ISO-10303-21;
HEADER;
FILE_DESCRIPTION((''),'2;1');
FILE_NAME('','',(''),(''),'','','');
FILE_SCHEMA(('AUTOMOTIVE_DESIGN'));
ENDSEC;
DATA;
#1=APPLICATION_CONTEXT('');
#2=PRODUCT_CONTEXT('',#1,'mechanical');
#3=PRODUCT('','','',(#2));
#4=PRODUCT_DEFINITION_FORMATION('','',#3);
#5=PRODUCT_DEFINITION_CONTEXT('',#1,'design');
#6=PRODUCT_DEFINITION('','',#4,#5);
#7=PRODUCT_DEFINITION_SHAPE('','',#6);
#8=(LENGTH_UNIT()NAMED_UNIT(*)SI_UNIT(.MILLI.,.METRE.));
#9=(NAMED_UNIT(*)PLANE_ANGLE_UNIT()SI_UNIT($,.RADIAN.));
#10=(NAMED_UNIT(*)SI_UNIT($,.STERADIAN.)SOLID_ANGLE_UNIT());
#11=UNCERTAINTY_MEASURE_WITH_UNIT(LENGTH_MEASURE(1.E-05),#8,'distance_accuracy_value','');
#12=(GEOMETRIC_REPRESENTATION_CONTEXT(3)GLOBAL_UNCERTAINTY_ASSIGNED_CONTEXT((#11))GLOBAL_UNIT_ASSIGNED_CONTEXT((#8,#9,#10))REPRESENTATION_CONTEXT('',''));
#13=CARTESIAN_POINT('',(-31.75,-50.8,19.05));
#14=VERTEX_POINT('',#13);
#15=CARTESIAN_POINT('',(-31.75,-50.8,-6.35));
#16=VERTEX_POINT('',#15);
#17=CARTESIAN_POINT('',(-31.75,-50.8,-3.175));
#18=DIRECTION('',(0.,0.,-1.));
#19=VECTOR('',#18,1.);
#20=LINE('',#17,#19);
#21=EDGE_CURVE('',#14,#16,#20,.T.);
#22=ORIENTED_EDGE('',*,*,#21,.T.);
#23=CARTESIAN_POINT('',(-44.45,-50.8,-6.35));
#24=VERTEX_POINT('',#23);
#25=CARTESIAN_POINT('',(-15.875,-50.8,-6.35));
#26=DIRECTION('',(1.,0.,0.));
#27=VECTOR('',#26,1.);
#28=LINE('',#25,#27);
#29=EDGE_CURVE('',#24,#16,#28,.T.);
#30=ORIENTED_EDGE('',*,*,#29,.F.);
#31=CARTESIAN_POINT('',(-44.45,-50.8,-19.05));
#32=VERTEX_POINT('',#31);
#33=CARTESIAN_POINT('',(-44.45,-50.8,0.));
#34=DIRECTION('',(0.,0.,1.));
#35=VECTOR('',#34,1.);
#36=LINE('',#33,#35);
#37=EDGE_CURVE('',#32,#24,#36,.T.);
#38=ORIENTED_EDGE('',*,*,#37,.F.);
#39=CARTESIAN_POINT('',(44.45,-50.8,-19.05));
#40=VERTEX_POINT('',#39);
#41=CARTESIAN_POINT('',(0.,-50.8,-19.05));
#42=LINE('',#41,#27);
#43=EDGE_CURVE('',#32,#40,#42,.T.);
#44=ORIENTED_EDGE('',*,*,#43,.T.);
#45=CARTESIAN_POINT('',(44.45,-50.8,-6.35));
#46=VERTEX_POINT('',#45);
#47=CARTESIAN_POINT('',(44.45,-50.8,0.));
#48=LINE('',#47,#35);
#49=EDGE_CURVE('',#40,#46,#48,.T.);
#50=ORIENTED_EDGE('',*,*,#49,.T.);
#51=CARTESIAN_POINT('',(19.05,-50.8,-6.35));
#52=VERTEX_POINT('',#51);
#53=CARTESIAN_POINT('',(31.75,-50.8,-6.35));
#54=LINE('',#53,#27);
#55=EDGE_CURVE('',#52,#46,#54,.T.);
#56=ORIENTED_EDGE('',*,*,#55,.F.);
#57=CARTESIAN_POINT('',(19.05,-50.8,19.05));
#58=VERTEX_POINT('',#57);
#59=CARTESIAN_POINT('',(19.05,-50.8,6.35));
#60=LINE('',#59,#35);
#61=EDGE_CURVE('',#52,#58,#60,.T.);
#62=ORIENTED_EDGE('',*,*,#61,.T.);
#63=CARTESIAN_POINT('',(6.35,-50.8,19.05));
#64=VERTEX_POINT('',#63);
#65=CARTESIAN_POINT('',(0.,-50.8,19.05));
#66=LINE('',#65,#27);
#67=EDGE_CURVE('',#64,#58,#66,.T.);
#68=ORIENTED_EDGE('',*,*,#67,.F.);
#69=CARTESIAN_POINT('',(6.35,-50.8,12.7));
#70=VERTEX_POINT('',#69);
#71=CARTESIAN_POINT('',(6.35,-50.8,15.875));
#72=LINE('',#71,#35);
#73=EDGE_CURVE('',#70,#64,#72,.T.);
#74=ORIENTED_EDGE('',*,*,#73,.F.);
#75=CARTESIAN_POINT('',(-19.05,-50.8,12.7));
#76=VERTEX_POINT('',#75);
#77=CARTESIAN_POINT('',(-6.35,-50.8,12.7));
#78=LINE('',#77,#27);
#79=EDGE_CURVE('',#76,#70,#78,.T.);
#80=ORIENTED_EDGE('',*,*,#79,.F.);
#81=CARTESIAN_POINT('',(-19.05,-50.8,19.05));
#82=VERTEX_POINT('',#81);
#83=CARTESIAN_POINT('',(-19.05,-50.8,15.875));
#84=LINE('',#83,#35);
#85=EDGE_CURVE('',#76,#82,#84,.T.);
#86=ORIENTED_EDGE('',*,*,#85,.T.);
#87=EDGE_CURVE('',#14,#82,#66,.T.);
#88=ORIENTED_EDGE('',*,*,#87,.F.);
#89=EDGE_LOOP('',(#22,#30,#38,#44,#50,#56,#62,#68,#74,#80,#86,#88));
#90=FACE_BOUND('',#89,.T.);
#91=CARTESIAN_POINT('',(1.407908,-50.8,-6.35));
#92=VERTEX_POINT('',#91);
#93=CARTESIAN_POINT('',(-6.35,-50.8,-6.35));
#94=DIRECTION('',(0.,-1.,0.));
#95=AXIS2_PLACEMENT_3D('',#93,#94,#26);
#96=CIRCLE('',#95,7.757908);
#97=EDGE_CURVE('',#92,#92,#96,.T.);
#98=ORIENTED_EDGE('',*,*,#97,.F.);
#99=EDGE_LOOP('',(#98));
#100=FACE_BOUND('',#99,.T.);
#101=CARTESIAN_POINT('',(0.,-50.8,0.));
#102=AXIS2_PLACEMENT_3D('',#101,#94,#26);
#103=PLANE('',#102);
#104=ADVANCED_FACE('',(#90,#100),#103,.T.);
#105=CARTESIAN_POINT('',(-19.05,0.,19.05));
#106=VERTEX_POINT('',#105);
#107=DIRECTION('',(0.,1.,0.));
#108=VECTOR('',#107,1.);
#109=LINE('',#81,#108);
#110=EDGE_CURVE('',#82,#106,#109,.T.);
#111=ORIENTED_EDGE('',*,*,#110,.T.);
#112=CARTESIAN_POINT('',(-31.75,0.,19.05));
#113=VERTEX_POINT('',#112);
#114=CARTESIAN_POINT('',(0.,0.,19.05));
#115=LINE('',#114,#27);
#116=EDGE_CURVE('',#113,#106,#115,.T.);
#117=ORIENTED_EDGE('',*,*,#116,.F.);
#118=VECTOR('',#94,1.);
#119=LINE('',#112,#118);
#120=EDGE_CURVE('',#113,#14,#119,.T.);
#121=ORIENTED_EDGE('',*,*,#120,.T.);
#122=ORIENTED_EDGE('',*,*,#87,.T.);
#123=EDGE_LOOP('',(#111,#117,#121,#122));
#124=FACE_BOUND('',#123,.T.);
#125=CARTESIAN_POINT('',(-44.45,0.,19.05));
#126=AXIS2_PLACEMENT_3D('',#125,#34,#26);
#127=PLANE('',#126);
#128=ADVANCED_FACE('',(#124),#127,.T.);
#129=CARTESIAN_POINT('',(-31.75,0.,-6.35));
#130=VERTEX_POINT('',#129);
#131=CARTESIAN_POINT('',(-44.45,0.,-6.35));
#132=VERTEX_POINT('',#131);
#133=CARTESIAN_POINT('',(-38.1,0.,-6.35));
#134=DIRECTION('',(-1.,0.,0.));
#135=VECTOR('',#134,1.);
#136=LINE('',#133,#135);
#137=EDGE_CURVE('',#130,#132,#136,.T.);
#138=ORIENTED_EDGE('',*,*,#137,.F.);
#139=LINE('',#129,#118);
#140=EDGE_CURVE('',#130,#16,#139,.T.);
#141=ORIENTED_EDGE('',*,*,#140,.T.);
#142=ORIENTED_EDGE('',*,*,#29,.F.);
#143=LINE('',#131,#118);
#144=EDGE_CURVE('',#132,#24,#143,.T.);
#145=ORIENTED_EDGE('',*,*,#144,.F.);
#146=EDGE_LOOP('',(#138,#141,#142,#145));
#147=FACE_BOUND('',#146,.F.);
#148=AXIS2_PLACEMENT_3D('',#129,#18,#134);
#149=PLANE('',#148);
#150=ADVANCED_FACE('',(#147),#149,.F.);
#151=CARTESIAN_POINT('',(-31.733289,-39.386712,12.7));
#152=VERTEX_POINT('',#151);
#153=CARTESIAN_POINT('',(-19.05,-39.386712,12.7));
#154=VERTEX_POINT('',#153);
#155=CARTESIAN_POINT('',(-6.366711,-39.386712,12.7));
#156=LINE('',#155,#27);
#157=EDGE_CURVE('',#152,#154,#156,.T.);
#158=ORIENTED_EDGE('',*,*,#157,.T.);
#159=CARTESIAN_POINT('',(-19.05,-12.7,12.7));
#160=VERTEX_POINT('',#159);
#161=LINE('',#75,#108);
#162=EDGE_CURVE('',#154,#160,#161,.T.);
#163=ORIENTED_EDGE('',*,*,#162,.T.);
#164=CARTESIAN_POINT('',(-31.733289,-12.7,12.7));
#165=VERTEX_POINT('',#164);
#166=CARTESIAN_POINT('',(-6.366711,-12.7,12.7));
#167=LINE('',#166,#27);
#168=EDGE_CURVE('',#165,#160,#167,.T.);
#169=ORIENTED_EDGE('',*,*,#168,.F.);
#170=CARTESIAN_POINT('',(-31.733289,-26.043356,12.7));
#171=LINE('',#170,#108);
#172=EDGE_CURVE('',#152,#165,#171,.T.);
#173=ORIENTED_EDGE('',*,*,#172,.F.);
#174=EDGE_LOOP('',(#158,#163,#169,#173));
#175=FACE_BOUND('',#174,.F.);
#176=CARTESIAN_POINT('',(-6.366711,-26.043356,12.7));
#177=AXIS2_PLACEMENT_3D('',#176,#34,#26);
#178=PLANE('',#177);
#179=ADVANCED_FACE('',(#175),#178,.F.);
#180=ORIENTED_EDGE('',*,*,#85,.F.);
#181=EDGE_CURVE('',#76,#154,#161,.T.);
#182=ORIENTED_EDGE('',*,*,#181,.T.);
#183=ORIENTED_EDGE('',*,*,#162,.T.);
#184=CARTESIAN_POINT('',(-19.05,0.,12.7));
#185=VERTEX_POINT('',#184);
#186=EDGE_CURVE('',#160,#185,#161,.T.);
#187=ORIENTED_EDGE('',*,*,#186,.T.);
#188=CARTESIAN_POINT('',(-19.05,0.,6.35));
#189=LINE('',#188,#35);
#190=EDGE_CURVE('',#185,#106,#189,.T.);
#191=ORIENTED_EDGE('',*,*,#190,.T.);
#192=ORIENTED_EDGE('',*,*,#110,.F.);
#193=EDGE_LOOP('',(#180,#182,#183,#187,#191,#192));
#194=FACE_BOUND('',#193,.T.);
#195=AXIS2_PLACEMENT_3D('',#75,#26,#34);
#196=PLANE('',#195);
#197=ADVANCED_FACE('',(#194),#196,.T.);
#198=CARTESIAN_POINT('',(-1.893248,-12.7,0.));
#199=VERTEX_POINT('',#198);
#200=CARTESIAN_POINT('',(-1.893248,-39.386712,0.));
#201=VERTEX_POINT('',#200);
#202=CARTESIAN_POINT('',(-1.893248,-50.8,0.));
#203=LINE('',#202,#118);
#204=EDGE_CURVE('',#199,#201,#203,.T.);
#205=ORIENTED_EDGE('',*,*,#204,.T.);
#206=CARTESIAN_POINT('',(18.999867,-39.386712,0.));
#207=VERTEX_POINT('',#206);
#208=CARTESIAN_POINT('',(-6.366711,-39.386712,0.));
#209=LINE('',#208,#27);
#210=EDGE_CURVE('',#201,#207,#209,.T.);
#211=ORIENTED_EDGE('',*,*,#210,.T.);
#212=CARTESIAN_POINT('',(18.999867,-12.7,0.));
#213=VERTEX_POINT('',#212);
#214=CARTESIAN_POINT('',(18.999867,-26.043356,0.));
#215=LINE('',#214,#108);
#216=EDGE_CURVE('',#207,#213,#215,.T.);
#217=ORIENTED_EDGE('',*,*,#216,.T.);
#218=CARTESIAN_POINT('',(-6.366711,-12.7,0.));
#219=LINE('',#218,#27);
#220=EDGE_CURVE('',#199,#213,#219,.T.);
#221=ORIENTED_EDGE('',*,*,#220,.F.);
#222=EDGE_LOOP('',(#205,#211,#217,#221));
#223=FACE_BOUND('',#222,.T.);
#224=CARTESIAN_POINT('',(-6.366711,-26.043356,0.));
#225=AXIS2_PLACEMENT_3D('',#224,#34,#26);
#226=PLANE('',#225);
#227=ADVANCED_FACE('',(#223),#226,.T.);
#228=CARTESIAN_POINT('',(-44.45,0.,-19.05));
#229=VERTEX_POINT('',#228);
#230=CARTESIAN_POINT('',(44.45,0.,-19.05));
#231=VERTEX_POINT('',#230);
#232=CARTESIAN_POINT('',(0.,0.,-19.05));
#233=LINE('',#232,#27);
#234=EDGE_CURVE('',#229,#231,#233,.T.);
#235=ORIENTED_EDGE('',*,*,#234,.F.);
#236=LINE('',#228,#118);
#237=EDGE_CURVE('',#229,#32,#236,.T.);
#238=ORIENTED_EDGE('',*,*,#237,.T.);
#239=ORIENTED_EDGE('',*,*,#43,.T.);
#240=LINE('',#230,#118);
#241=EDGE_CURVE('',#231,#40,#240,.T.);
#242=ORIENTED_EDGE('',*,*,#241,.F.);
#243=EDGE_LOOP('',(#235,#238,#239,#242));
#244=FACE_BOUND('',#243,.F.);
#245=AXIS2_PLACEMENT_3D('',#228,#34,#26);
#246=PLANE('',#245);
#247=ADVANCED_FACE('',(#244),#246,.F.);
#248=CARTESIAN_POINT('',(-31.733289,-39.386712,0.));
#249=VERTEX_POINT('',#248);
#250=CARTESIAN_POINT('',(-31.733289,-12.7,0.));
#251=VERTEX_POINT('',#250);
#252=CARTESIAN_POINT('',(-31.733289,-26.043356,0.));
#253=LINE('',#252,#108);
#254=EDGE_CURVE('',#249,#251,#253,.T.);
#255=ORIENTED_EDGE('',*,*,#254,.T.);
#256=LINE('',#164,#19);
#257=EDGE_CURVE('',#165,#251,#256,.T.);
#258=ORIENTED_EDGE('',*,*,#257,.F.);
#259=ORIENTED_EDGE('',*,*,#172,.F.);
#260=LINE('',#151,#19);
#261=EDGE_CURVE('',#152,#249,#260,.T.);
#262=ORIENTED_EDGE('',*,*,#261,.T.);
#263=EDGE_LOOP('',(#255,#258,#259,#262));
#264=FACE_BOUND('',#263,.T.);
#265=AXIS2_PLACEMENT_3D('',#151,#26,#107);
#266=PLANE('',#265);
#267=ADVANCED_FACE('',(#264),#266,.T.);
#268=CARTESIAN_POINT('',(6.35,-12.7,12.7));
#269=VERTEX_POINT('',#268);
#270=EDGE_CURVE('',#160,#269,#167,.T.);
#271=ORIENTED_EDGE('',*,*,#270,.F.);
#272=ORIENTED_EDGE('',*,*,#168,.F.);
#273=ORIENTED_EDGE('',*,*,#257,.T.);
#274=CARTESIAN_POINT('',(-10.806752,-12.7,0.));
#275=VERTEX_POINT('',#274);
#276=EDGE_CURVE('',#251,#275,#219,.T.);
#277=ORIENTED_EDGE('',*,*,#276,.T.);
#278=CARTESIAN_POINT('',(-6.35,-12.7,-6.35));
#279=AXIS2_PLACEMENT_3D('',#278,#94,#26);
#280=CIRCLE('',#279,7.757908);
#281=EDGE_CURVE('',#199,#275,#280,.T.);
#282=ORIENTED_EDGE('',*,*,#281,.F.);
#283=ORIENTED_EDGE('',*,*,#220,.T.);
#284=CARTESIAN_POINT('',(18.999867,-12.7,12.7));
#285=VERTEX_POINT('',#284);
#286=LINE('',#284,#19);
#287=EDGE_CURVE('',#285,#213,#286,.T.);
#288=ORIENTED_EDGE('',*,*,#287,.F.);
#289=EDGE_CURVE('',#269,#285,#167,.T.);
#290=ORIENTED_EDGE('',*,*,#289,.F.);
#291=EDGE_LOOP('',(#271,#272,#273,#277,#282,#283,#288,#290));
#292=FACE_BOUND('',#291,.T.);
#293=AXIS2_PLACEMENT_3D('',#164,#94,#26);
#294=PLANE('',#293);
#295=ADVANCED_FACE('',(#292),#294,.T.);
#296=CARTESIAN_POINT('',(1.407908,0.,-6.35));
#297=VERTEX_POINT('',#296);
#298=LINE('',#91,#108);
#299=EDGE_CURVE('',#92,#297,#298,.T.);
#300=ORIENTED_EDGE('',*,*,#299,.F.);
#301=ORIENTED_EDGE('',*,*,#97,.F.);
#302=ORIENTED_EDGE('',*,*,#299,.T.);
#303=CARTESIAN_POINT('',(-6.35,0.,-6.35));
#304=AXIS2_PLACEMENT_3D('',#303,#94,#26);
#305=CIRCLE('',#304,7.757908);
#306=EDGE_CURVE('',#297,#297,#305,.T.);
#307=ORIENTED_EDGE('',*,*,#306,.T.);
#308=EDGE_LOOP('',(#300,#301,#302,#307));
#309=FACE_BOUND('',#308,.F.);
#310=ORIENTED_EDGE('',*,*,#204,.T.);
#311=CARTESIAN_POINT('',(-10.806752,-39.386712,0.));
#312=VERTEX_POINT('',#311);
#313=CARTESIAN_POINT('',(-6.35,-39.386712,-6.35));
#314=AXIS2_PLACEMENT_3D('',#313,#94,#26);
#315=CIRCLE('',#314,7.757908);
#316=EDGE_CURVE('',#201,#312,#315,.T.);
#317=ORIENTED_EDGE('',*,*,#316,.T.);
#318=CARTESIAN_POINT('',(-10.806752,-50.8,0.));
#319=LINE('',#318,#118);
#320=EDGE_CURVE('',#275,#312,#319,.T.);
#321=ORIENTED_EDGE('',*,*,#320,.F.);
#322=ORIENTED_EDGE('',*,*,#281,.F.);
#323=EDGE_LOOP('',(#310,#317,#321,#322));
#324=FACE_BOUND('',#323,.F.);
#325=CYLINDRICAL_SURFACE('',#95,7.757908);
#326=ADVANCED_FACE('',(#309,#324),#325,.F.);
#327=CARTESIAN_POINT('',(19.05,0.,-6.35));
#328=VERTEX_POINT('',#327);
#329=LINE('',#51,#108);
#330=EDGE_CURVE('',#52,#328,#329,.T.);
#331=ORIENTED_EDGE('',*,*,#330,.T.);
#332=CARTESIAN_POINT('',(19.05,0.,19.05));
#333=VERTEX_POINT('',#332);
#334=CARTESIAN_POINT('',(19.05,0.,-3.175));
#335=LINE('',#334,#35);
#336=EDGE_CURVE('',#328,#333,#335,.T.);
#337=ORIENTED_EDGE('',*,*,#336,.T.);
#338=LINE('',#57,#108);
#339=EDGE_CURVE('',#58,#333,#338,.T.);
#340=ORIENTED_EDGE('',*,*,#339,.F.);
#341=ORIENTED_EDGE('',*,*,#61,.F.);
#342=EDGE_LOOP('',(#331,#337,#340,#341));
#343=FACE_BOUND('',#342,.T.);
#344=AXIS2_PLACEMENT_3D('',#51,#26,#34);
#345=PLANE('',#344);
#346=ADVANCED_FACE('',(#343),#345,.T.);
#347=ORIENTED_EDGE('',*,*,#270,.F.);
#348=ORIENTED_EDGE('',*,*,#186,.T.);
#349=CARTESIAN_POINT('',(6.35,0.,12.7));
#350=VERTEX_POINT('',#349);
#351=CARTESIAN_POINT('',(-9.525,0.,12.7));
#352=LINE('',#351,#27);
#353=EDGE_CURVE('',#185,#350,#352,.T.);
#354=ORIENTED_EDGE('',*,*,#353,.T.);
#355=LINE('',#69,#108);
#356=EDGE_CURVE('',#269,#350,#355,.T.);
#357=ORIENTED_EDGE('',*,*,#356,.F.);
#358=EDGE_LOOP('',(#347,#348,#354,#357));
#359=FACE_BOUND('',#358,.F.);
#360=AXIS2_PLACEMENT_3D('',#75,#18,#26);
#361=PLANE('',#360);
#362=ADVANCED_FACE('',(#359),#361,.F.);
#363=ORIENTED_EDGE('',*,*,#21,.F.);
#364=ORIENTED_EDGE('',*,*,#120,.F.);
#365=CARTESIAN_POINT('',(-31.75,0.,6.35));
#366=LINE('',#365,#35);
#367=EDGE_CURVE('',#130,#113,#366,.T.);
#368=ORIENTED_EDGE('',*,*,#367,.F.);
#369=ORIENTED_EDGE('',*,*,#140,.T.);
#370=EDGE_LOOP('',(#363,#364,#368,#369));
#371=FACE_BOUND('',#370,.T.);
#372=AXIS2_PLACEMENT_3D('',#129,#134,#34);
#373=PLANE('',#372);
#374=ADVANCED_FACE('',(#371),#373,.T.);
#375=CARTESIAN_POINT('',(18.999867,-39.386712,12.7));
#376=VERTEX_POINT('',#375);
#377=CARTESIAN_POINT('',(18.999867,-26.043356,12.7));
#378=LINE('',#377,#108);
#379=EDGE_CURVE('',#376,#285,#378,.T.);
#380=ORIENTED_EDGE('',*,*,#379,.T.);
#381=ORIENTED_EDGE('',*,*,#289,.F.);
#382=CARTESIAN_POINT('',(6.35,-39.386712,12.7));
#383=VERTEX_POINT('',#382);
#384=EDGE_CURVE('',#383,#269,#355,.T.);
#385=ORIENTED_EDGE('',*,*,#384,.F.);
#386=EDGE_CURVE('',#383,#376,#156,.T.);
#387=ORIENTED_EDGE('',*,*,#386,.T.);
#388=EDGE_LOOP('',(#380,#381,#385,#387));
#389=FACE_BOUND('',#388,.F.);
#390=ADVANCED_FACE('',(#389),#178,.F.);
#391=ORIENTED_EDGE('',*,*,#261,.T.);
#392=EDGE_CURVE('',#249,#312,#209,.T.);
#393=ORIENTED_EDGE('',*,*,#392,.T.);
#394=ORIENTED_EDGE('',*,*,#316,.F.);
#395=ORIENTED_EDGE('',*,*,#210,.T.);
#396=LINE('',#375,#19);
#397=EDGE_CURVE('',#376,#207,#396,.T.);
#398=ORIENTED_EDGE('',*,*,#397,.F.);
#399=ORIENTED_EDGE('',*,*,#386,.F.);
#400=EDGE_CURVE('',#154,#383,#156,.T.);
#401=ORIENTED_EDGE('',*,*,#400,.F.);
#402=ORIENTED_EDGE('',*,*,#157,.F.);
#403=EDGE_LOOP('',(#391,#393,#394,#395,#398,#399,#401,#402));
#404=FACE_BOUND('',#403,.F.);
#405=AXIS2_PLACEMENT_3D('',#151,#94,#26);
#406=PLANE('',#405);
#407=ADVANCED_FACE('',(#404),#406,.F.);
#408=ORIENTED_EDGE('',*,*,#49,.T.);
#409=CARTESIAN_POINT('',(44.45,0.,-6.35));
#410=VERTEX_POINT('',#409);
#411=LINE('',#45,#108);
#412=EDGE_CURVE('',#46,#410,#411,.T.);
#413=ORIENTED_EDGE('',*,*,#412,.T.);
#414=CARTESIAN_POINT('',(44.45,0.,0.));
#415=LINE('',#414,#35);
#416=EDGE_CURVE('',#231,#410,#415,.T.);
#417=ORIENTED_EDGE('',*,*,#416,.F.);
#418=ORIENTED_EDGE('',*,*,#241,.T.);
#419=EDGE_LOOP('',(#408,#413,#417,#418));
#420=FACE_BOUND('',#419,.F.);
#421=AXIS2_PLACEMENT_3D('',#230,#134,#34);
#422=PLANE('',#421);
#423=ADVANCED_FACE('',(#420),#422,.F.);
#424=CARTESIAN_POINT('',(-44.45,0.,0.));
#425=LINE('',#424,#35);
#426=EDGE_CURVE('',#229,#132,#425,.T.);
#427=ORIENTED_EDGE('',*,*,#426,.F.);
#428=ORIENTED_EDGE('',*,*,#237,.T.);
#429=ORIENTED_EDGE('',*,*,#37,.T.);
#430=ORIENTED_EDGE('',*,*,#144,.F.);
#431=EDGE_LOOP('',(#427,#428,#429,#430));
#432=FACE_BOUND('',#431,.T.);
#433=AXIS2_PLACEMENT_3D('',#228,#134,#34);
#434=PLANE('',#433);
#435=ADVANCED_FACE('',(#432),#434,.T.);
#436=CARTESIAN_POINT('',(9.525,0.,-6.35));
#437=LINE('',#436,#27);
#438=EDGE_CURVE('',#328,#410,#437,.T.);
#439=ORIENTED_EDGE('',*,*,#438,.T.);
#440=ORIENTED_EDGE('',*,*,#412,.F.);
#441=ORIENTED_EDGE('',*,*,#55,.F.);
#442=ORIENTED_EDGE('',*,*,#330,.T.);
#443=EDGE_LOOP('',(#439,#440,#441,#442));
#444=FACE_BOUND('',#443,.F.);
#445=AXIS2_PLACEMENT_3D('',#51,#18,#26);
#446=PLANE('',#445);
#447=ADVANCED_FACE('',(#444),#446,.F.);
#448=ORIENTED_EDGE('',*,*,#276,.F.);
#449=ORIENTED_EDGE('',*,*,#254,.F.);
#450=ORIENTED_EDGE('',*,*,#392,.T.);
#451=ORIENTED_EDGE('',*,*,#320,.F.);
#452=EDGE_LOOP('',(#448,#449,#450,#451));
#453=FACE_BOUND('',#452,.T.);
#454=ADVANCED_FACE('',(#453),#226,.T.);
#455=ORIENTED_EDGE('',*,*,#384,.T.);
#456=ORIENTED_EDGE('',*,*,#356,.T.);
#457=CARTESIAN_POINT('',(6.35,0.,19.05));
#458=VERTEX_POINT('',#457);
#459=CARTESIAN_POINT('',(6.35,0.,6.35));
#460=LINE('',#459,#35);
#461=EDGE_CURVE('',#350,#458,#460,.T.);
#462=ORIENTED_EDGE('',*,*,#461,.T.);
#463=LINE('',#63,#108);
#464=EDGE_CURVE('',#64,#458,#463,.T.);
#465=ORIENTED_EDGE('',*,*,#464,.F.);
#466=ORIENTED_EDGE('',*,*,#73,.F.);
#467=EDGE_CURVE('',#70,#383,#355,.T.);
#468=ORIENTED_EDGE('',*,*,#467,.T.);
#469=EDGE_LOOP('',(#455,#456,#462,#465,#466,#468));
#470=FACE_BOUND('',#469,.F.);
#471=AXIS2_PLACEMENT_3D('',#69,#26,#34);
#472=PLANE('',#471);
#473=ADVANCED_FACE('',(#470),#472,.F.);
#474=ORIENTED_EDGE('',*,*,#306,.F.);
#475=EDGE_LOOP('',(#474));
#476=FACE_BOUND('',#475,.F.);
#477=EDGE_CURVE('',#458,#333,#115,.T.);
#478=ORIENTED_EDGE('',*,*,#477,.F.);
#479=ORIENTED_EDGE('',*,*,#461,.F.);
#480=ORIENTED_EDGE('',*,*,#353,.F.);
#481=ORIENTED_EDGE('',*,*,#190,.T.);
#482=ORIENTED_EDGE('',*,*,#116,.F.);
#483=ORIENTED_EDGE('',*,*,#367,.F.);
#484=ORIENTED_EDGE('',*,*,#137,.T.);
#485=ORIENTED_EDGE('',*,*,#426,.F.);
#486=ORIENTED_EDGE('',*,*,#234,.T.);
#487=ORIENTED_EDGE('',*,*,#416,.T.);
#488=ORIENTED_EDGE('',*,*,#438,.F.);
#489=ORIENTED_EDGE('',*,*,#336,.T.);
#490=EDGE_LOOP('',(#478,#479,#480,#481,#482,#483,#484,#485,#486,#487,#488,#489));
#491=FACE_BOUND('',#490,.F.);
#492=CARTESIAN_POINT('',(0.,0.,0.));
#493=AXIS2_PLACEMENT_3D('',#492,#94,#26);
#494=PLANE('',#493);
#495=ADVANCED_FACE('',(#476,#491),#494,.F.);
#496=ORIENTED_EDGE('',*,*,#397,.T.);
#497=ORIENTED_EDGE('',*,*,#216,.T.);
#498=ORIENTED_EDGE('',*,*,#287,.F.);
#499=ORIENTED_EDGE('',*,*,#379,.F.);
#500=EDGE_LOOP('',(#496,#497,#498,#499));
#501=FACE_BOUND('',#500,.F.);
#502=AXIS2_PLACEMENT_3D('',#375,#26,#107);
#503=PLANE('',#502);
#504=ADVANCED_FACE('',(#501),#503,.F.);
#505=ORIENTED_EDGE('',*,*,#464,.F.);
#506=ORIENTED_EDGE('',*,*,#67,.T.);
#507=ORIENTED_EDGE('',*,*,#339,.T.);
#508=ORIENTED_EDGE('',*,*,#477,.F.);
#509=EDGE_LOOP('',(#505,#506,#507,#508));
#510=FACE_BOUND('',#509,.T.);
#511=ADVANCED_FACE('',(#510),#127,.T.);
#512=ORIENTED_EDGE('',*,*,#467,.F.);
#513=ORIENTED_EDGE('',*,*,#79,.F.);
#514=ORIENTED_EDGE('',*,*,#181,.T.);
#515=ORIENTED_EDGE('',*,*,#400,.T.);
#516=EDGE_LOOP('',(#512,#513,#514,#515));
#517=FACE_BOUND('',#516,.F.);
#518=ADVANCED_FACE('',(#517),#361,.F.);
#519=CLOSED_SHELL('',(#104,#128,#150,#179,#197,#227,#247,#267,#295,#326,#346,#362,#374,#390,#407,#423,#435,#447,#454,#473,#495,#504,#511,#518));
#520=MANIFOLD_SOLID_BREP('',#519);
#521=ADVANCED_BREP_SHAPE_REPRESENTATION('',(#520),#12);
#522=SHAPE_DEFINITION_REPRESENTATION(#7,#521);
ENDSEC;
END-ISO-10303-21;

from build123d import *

# Parameters (mm, degrees)
F0_W      = 88.9
F0_H      = 38.1
F1_DEPTH  = 50.8
F2_W      = 25.4
F2_H      = 25.4
F3_DEPTH  = 50.801
F4_W      = 12.7
F4_H      = 25.4
F5_DEPTH  = 50.801
F6_W      = 25.4
F6_H      = 6.35
F7_DEPTH  = 50.801
F9_W      = 50.733156
F9_H      = 26.686712
F10_DEPTH = 12.7
F8_R      = 7.757908
F11_DEPTH = 50.801


with BuildPart() as f1:
    # F0 (on Front) → F1 (new body)
    with BuildSketch(Plane.XZ):
        Rectangle(F0_W, F0_H)
    extrude(amount=F1_DEPTH)

    # F2 (on face) → F3 (cut, through all)
    with BuildSketch(Plane.XZ.offset(50.8)):
        with Locations((31.75, 6.35)):
            Rectangle(F2_W, F2_H)
    extrude(amount=-F3_DEPTH, mode=Mode.SUBTRACT)

    # F4 (on face) → F5 (cut, through all)
    with BuildSketch(Plane(origin=(0, 0, 0), x_dir=(-1, 0, 0), z_dir=(0, 1, 0))):
        with Locations((38.1, 6.35)):
            Rectangle(F4_W, F4_H)
    extrude(amount=-F5_DEPTH, mode=Mode.SUBTRACT)

    # F6 (on face) → F7 (cut, through all)
    with BuildSketch(Plane.XZ.offset(50.8)):
        with Locations((-6.35, 15.875)):
            Rectangle(F6_W, F6_H)
    extrude(amount=-F7_DEPTH, mode=Mode.SUBTRACT)

    # F9 (on face) → F10 (cut)
    with BuildSketch(Plane.XY.offset(12.7)):
        with Locations((-6.366711, -26.043356)):
            Rectangle(F9_W, F9_H)
    extrude(amount=-F10_DEPTH, mode=Mode.SUBTRACT)

    # F8 (on face) → F11 (cut, through all)
    with BuildSketch(Plane.XZ.offset(50.8)):
        with Locations((-6.35, -6.35)):
            Circle(F8_R)
    extrude(amount=-F11_DEPTH, mode=Mode.SUBTRACT)


solid = f1.part
